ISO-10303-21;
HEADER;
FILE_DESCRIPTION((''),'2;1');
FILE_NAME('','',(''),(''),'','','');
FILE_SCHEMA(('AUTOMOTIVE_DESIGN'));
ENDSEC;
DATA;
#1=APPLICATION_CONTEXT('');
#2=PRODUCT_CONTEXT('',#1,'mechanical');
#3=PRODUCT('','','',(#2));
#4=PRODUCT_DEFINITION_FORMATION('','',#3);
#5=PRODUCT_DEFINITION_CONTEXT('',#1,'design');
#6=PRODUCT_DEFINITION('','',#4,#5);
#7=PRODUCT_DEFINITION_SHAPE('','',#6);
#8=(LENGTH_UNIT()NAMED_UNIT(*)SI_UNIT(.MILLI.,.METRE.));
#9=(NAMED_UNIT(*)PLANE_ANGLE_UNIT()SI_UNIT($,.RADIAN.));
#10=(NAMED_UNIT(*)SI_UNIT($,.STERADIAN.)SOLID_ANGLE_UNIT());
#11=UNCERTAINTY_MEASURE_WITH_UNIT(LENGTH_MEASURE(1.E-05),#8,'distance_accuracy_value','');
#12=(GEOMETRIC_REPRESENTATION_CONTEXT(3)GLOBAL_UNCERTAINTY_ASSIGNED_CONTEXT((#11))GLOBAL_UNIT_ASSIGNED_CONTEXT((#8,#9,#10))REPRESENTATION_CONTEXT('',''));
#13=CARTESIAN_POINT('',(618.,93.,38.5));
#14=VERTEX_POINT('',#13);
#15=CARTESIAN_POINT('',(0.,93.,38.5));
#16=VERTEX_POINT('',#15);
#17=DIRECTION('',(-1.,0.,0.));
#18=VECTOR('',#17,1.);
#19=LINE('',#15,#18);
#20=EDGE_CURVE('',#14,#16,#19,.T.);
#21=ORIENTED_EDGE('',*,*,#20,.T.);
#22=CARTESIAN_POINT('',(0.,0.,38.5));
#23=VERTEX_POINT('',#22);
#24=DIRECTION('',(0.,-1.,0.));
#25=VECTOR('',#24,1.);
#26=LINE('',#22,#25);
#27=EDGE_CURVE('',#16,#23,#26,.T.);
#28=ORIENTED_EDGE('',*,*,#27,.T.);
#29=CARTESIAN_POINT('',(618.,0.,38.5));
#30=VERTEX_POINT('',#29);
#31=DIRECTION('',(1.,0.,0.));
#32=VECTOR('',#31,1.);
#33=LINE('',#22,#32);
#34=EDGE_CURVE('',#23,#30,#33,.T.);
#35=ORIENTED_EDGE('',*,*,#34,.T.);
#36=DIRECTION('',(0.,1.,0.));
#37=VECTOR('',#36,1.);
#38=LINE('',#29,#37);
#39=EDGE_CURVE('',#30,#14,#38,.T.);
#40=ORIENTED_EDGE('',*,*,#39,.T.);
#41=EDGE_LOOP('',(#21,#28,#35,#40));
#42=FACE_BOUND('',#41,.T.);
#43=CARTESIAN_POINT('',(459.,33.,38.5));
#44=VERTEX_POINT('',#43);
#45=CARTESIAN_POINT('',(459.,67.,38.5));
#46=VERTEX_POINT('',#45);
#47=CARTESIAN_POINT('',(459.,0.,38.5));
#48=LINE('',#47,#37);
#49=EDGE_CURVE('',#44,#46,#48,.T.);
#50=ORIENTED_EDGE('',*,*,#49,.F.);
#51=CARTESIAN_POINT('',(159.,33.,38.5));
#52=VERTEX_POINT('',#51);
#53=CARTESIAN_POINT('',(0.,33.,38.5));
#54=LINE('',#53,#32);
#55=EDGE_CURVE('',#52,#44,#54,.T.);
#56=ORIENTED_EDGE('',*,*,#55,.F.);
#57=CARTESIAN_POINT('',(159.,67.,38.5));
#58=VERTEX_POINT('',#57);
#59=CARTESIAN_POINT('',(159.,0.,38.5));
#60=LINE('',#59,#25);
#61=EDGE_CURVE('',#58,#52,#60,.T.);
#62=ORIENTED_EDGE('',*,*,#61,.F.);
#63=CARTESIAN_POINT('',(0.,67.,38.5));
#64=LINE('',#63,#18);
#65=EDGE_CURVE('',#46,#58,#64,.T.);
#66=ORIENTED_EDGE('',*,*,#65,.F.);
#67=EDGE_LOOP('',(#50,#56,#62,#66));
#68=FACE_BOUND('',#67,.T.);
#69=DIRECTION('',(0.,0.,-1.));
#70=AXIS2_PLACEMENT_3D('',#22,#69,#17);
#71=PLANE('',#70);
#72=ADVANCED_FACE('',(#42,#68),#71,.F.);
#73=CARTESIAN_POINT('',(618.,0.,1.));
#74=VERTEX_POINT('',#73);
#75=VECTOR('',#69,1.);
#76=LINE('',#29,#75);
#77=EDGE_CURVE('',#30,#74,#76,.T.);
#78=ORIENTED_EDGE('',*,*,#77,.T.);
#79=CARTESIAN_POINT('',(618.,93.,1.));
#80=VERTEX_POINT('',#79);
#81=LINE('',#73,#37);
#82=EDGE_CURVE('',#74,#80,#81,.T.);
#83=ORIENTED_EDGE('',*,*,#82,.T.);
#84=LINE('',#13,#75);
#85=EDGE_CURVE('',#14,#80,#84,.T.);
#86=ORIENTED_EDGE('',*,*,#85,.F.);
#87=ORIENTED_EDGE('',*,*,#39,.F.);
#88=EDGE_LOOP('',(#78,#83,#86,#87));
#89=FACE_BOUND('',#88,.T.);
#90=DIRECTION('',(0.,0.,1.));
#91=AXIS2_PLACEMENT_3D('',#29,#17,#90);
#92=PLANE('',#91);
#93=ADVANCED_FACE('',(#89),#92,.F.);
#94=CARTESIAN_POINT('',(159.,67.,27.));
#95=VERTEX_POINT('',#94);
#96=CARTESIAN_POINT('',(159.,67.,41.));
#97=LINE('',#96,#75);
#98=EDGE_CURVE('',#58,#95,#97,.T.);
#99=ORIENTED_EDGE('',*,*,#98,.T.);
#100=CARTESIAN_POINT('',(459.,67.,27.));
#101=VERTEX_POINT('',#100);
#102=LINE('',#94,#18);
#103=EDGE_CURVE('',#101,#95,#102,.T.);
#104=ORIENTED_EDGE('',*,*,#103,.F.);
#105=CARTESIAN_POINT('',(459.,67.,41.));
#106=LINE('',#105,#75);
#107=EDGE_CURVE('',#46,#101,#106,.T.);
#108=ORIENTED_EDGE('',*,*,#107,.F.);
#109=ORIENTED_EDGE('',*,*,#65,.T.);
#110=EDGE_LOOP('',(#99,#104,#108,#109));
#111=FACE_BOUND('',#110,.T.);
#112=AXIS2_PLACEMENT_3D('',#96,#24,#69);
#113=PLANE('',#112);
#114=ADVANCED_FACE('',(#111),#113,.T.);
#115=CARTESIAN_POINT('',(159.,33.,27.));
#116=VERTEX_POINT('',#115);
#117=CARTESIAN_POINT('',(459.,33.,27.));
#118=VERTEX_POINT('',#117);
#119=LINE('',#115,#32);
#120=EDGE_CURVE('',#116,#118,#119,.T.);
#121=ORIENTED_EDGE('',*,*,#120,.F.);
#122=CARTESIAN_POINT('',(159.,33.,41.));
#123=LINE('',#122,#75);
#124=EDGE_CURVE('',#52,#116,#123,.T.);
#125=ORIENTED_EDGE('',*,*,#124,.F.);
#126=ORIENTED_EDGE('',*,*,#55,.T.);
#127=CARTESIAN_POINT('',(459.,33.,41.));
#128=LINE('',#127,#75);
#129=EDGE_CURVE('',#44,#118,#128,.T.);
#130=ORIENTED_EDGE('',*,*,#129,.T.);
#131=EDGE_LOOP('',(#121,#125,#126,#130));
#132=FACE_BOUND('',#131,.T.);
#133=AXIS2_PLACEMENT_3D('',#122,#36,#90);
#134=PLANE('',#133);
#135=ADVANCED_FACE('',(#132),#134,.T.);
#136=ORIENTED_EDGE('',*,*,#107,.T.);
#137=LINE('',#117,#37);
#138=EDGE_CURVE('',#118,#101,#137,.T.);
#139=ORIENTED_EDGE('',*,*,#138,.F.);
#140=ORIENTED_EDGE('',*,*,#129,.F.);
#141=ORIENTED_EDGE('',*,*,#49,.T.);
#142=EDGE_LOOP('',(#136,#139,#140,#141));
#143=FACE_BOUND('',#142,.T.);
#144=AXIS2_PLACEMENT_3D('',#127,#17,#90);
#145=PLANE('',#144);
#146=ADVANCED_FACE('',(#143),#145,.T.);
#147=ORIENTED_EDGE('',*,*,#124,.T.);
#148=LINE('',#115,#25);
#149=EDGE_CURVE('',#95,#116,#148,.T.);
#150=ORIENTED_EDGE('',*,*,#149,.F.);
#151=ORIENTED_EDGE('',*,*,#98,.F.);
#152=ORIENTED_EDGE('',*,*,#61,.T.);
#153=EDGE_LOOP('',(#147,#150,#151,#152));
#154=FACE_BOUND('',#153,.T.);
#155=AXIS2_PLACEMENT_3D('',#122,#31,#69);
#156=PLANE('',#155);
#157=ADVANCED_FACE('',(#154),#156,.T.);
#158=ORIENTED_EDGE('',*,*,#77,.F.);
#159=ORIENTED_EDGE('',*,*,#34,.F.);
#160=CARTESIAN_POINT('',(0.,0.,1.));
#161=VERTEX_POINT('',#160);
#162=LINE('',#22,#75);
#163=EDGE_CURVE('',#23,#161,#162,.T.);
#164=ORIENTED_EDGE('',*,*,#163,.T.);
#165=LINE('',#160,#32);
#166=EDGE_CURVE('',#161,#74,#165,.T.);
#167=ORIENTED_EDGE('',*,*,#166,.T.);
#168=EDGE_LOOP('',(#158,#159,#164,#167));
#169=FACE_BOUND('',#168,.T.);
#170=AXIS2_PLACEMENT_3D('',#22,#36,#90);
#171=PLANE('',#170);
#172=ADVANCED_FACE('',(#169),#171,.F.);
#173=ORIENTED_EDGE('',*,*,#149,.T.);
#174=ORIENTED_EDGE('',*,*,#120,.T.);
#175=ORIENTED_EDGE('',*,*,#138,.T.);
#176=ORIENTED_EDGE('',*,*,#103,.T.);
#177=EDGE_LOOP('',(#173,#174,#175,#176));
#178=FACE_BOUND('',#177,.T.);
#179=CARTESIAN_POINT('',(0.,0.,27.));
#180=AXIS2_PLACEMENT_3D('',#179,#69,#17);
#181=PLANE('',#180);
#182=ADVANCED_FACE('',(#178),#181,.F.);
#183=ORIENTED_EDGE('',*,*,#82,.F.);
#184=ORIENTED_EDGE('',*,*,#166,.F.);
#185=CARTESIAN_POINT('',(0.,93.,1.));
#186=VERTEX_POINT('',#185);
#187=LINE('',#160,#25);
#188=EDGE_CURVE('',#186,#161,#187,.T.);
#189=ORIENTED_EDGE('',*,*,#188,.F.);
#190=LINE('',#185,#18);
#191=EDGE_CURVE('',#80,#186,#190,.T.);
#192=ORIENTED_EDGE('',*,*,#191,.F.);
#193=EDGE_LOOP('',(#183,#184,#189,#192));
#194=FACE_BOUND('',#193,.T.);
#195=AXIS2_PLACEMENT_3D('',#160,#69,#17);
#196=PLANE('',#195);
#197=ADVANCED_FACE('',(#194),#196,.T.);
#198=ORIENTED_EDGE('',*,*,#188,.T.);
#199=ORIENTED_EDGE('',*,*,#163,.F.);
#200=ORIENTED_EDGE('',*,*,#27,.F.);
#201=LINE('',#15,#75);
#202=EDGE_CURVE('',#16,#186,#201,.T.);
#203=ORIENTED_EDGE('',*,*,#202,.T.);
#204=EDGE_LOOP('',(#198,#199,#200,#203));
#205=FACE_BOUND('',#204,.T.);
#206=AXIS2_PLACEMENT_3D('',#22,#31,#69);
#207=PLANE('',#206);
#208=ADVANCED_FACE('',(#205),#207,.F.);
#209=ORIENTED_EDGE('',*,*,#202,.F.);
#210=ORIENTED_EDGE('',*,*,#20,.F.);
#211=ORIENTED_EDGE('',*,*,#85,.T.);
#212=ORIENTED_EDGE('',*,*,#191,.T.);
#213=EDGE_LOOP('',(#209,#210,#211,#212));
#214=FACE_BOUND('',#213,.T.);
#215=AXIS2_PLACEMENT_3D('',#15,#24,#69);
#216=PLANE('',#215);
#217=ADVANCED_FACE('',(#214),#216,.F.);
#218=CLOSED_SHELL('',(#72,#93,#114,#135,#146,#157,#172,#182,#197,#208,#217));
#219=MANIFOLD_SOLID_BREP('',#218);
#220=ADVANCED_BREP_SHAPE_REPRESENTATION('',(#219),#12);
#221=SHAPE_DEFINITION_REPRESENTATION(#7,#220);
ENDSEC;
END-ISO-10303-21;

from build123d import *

# Parameters (mm, degrees)
CEK_TAZE_ON_PU_37_5_1_START = 1
SKETCH1_W                   = 618
SKETCH1_H                   = 93
CEK_TAZE_ON_PU_37_5_1_DEPTH = 37.5
CEK_TAZE_ON_PU_37_5_2_START = 27
SKETCH2_W                   = 300
SKETCH2_H                   = 34
CEK_TAZE_ON_PU_37_5_2_DEPTH = 14


with BuildPart() as part:
    # Sketch1 → CEK_taze_on_pu_37.5_1 (new body)
    with BuildSketch(Plane.XY.offset(CEK_TAZE_ON_PU_37_5_1_START)):
        with Locations((309, 46.5)):
            Rectangle(SKETCH1_W, SKETCH1_H)
    extrude(amount=CEK_TAZE_ON_PU_37_5_1_DEPTH)

    # Sketch2 → CEK_taze_on_pu_37.5_2 (cut)
    with BuildSketch(Plane.XY.offset(CEK_TAZE_ON_PU_37_5_2_START)):
        with Locations((309, 50)):
            Rectangle(SKETCH2_W, SKETCH2_H)
    extrude(amount=CEK_TAZE_ON_PU_37_5_2_DEPTH, mode=Mode.SUBTRACT)


solid = part.part
